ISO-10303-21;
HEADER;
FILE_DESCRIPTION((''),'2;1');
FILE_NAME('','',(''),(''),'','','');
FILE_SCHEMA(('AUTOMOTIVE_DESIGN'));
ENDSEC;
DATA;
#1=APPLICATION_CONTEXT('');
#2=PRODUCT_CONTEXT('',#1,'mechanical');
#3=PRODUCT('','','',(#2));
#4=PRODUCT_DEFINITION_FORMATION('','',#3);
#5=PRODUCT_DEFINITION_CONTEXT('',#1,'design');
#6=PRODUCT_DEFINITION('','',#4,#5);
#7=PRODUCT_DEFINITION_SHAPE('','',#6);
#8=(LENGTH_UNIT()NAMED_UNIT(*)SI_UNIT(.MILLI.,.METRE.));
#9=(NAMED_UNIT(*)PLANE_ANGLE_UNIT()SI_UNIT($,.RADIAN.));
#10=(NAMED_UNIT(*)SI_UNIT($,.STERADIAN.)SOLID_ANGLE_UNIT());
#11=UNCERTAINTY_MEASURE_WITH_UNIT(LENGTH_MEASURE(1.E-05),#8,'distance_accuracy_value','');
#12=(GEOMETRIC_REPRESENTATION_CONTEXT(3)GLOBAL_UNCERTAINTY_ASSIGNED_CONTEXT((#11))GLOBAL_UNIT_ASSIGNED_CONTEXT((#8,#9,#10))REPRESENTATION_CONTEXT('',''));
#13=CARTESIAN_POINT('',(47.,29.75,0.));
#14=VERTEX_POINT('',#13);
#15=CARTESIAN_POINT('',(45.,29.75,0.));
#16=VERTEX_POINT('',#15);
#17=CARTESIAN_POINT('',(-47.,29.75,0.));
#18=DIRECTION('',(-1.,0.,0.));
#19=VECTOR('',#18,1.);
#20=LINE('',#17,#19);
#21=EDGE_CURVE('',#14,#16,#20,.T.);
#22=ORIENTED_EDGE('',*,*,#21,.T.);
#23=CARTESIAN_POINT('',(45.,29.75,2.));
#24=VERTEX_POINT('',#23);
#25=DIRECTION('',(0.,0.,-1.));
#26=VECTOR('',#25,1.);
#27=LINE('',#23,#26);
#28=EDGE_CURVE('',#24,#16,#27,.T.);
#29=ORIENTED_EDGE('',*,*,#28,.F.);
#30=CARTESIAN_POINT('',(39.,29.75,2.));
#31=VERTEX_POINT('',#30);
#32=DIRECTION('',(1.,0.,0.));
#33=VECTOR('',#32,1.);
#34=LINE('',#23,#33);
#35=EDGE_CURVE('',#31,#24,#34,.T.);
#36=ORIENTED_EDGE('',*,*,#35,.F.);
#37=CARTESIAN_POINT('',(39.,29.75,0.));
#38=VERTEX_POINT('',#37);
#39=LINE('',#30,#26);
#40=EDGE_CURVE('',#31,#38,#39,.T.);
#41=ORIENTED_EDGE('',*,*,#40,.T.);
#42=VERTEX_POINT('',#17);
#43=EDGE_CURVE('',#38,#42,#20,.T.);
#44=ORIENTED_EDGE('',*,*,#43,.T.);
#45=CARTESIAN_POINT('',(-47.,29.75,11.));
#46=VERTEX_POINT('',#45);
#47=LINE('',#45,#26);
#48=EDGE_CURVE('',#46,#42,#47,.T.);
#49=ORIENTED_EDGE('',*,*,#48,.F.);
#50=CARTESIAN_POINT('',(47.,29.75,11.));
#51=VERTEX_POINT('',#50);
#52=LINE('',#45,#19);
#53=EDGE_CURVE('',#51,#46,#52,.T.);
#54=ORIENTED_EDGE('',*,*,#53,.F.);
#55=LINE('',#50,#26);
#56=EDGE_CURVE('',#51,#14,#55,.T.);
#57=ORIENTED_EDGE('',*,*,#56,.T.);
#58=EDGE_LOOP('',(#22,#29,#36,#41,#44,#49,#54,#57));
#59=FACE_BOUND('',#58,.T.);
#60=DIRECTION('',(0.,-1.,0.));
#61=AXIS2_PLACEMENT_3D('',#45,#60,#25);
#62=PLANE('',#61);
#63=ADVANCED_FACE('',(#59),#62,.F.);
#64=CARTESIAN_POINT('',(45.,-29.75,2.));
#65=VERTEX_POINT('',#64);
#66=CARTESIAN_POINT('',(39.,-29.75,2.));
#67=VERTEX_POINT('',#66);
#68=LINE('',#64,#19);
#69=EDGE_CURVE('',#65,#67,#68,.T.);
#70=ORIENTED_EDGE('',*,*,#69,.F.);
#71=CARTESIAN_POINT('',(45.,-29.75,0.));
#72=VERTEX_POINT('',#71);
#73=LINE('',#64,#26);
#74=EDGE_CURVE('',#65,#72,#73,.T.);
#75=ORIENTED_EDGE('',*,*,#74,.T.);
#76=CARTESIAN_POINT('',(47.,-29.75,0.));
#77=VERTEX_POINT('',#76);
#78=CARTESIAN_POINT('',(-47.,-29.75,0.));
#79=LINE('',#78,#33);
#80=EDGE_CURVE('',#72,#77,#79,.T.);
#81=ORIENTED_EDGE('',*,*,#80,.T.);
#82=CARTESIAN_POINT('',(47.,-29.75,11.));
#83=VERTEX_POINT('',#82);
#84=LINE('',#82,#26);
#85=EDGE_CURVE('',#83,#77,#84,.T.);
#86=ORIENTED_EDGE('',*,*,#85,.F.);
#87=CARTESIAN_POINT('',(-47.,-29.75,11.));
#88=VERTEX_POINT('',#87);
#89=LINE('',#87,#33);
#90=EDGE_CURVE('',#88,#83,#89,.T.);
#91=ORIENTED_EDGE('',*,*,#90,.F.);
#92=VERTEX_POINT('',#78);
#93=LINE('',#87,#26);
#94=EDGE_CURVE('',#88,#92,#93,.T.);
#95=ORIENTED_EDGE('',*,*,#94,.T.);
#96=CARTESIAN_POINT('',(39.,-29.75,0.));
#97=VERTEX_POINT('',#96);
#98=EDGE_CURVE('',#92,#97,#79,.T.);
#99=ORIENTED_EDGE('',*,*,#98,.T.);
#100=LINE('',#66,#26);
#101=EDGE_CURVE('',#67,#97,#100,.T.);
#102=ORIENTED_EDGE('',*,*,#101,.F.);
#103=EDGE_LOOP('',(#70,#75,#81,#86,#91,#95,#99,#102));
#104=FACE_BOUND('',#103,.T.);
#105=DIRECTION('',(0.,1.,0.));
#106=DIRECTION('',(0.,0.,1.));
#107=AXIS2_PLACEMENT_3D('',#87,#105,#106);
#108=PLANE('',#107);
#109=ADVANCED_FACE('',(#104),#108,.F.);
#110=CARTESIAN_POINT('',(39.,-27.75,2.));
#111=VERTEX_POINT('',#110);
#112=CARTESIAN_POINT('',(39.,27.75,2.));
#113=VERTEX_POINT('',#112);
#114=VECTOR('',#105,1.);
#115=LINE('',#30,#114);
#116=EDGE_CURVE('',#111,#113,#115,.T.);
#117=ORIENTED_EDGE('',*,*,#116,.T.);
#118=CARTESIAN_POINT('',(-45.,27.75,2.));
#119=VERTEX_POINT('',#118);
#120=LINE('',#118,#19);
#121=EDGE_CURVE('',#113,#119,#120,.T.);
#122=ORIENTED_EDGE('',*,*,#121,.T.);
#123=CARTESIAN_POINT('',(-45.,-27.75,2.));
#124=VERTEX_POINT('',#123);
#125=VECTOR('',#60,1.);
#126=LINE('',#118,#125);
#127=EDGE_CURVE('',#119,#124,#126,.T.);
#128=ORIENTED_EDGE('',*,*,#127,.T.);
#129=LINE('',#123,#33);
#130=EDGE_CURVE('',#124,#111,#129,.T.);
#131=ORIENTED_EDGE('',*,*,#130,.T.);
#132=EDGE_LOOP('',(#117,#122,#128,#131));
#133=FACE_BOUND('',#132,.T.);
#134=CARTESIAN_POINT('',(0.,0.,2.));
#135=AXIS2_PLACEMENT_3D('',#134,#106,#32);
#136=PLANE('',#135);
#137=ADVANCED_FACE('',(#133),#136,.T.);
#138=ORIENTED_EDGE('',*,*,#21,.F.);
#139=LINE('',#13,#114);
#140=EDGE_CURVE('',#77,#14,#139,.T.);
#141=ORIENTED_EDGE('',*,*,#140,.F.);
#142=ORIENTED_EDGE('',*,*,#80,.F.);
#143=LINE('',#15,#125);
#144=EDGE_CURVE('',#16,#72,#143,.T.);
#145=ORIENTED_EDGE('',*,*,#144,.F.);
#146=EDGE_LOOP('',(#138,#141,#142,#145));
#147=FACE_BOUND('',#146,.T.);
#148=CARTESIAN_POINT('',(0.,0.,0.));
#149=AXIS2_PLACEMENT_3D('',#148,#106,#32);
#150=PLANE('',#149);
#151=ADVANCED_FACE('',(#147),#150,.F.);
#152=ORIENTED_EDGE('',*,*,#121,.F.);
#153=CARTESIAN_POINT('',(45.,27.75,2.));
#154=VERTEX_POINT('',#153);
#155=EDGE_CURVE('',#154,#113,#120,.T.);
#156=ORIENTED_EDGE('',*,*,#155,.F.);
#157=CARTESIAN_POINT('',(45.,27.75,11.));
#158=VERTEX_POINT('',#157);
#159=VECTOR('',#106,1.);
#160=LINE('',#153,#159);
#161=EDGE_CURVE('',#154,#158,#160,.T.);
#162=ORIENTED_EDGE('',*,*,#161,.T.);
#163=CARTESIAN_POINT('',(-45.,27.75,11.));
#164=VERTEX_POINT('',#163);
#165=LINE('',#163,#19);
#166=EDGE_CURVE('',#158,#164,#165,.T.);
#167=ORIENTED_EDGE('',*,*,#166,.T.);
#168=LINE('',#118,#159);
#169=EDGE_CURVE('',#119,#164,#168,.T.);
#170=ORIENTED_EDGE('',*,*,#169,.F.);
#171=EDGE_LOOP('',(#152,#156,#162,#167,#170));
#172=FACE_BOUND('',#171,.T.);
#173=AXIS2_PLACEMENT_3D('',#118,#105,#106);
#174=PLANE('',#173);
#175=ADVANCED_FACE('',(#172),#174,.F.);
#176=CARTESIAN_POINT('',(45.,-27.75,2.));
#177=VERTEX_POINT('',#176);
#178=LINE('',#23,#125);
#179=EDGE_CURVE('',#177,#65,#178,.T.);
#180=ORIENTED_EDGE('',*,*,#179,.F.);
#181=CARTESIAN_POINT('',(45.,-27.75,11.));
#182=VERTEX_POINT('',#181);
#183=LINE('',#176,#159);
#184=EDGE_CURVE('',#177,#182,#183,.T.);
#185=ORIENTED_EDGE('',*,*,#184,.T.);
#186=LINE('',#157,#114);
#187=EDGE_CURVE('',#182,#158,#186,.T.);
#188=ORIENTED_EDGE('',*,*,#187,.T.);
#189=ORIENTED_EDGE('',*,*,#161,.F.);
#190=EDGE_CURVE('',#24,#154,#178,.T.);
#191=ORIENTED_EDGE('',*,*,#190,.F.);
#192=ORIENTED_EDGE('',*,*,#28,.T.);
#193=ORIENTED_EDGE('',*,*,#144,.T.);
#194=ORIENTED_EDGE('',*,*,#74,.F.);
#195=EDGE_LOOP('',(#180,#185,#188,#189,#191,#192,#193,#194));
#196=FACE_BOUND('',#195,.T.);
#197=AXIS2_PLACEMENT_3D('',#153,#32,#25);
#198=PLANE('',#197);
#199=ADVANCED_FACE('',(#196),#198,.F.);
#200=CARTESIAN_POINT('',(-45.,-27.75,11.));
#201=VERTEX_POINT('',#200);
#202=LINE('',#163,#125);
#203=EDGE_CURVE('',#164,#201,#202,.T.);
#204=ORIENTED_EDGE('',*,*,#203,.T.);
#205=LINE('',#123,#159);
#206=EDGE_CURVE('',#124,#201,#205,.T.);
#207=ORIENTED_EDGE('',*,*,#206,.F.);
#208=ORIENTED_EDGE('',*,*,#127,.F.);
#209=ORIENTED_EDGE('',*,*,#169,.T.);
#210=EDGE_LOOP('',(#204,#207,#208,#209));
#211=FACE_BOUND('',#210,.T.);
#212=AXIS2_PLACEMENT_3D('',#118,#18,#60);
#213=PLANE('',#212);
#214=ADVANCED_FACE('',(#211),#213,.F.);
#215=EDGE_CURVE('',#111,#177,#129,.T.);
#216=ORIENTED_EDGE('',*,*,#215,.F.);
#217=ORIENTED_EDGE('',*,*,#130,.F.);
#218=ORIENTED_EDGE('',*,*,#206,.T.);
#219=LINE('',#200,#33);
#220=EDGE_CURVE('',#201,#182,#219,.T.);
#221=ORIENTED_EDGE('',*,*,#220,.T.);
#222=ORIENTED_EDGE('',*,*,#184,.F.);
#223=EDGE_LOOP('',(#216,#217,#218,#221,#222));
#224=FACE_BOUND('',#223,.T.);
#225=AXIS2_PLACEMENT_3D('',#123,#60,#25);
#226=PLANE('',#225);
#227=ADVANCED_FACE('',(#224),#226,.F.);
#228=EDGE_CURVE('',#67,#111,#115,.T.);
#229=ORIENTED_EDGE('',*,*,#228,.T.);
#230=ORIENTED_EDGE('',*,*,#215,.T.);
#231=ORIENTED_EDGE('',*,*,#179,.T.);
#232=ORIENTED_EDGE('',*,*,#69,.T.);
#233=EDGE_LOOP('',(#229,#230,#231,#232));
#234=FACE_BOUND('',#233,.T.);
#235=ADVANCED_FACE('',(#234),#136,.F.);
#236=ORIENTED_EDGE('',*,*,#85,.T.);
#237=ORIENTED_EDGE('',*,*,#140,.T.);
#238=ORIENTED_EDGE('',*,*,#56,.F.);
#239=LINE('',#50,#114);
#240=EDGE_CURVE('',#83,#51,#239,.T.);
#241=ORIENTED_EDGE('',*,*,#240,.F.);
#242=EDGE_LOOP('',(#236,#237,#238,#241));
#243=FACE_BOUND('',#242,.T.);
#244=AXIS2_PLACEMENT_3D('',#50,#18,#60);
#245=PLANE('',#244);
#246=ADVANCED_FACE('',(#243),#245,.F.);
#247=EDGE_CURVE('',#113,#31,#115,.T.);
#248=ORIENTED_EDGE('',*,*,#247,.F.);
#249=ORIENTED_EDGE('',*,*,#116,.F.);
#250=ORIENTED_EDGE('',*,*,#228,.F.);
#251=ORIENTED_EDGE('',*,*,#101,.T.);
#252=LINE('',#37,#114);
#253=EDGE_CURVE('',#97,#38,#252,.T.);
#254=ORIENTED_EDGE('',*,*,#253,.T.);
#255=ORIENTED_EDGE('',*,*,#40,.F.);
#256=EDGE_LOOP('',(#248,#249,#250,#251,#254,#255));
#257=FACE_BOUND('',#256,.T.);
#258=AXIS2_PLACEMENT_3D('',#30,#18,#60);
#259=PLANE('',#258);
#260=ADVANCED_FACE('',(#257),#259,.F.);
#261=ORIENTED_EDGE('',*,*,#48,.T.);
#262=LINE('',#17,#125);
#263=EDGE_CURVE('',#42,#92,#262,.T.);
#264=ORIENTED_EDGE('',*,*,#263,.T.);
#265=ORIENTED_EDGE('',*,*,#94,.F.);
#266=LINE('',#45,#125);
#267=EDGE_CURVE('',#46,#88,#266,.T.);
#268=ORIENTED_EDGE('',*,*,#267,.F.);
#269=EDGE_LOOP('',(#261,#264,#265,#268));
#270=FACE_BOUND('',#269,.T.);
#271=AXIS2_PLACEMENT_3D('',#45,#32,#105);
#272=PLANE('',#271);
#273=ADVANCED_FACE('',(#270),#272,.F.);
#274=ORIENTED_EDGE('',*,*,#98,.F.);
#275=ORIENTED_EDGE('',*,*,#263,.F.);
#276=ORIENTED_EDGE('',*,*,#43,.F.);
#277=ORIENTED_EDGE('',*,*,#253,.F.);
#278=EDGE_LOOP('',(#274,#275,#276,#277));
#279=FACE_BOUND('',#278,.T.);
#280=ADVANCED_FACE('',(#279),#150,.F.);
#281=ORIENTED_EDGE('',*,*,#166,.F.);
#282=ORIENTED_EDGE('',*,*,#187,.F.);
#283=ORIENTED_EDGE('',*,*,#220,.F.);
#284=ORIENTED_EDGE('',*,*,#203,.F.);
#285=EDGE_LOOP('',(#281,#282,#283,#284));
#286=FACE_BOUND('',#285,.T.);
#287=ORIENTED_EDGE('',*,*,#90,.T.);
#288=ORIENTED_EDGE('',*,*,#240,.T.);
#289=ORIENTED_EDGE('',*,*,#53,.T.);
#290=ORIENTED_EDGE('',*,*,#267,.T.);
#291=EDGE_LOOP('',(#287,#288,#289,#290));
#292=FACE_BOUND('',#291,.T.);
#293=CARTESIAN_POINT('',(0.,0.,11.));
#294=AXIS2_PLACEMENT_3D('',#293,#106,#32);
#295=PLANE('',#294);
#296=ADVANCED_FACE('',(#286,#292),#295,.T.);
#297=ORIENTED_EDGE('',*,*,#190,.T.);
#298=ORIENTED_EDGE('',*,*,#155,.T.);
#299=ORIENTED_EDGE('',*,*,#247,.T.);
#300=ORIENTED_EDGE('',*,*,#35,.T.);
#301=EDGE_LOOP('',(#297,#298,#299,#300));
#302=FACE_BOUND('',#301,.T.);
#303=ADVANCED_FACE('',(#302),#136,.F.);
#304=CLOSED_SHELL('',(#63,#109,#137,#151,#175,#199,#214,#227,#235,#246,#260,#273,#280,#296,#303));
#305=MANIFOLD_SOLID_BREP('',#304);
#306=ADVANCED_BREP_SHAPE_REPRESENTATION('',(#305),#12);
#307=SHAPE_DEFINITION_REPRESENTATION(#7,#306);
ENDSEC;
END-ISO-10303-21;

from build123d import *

# Parameters (mm, degrees)
SKETCH2_W           = 94
SKETCH2_H           = 59.5
BOSS_EXTRUDE1_DEPTH = 11
SKETCH3_W           = 90
SKETCH3_H           = 55.5
CUT_EXTRUDE1_DEPTH  = 9
SKETCH5_W           = 6
SKETCH5_H           = 59.5
CUT_EXTRUDE2_DEPTH  = 2


with BuildPart() as part:
    # Sketch2 → Boss-Extrude1 (new body)
    with BuildSketch(Plane.XY):
        Rectangle(SKETCH2_W, SKETCH2_H)
    extrude(amount=BOSS_EXTRUDE1_DEPTH)

    # Sketch3 → Cut-Extrude1 (cut)
    with BuildSketch(Plane.XY.offset(11)):
        Rectangle(SKETCH3_W, SKETCH3_H)
    extrude(amount=-CUT_EXTRUDE1_DEPTH, mode=Mode.SUBTRACT)

    # Sketch5 → Cut-Extrude2 (cut)
    with BuildSketch(Plane(origin=(0, 0, 0), x_dir=(-1, 0, 0), z_dir=(0, 0, -1))):
        with Locations((-42, 0)):
            Rectangle(SKETCH5_W, SKETCH5_H)
    extrude(amount=-CUT_EXTRUDE2_DEPTH, mode=Mode.SUBTRACT)


solid = part.part
